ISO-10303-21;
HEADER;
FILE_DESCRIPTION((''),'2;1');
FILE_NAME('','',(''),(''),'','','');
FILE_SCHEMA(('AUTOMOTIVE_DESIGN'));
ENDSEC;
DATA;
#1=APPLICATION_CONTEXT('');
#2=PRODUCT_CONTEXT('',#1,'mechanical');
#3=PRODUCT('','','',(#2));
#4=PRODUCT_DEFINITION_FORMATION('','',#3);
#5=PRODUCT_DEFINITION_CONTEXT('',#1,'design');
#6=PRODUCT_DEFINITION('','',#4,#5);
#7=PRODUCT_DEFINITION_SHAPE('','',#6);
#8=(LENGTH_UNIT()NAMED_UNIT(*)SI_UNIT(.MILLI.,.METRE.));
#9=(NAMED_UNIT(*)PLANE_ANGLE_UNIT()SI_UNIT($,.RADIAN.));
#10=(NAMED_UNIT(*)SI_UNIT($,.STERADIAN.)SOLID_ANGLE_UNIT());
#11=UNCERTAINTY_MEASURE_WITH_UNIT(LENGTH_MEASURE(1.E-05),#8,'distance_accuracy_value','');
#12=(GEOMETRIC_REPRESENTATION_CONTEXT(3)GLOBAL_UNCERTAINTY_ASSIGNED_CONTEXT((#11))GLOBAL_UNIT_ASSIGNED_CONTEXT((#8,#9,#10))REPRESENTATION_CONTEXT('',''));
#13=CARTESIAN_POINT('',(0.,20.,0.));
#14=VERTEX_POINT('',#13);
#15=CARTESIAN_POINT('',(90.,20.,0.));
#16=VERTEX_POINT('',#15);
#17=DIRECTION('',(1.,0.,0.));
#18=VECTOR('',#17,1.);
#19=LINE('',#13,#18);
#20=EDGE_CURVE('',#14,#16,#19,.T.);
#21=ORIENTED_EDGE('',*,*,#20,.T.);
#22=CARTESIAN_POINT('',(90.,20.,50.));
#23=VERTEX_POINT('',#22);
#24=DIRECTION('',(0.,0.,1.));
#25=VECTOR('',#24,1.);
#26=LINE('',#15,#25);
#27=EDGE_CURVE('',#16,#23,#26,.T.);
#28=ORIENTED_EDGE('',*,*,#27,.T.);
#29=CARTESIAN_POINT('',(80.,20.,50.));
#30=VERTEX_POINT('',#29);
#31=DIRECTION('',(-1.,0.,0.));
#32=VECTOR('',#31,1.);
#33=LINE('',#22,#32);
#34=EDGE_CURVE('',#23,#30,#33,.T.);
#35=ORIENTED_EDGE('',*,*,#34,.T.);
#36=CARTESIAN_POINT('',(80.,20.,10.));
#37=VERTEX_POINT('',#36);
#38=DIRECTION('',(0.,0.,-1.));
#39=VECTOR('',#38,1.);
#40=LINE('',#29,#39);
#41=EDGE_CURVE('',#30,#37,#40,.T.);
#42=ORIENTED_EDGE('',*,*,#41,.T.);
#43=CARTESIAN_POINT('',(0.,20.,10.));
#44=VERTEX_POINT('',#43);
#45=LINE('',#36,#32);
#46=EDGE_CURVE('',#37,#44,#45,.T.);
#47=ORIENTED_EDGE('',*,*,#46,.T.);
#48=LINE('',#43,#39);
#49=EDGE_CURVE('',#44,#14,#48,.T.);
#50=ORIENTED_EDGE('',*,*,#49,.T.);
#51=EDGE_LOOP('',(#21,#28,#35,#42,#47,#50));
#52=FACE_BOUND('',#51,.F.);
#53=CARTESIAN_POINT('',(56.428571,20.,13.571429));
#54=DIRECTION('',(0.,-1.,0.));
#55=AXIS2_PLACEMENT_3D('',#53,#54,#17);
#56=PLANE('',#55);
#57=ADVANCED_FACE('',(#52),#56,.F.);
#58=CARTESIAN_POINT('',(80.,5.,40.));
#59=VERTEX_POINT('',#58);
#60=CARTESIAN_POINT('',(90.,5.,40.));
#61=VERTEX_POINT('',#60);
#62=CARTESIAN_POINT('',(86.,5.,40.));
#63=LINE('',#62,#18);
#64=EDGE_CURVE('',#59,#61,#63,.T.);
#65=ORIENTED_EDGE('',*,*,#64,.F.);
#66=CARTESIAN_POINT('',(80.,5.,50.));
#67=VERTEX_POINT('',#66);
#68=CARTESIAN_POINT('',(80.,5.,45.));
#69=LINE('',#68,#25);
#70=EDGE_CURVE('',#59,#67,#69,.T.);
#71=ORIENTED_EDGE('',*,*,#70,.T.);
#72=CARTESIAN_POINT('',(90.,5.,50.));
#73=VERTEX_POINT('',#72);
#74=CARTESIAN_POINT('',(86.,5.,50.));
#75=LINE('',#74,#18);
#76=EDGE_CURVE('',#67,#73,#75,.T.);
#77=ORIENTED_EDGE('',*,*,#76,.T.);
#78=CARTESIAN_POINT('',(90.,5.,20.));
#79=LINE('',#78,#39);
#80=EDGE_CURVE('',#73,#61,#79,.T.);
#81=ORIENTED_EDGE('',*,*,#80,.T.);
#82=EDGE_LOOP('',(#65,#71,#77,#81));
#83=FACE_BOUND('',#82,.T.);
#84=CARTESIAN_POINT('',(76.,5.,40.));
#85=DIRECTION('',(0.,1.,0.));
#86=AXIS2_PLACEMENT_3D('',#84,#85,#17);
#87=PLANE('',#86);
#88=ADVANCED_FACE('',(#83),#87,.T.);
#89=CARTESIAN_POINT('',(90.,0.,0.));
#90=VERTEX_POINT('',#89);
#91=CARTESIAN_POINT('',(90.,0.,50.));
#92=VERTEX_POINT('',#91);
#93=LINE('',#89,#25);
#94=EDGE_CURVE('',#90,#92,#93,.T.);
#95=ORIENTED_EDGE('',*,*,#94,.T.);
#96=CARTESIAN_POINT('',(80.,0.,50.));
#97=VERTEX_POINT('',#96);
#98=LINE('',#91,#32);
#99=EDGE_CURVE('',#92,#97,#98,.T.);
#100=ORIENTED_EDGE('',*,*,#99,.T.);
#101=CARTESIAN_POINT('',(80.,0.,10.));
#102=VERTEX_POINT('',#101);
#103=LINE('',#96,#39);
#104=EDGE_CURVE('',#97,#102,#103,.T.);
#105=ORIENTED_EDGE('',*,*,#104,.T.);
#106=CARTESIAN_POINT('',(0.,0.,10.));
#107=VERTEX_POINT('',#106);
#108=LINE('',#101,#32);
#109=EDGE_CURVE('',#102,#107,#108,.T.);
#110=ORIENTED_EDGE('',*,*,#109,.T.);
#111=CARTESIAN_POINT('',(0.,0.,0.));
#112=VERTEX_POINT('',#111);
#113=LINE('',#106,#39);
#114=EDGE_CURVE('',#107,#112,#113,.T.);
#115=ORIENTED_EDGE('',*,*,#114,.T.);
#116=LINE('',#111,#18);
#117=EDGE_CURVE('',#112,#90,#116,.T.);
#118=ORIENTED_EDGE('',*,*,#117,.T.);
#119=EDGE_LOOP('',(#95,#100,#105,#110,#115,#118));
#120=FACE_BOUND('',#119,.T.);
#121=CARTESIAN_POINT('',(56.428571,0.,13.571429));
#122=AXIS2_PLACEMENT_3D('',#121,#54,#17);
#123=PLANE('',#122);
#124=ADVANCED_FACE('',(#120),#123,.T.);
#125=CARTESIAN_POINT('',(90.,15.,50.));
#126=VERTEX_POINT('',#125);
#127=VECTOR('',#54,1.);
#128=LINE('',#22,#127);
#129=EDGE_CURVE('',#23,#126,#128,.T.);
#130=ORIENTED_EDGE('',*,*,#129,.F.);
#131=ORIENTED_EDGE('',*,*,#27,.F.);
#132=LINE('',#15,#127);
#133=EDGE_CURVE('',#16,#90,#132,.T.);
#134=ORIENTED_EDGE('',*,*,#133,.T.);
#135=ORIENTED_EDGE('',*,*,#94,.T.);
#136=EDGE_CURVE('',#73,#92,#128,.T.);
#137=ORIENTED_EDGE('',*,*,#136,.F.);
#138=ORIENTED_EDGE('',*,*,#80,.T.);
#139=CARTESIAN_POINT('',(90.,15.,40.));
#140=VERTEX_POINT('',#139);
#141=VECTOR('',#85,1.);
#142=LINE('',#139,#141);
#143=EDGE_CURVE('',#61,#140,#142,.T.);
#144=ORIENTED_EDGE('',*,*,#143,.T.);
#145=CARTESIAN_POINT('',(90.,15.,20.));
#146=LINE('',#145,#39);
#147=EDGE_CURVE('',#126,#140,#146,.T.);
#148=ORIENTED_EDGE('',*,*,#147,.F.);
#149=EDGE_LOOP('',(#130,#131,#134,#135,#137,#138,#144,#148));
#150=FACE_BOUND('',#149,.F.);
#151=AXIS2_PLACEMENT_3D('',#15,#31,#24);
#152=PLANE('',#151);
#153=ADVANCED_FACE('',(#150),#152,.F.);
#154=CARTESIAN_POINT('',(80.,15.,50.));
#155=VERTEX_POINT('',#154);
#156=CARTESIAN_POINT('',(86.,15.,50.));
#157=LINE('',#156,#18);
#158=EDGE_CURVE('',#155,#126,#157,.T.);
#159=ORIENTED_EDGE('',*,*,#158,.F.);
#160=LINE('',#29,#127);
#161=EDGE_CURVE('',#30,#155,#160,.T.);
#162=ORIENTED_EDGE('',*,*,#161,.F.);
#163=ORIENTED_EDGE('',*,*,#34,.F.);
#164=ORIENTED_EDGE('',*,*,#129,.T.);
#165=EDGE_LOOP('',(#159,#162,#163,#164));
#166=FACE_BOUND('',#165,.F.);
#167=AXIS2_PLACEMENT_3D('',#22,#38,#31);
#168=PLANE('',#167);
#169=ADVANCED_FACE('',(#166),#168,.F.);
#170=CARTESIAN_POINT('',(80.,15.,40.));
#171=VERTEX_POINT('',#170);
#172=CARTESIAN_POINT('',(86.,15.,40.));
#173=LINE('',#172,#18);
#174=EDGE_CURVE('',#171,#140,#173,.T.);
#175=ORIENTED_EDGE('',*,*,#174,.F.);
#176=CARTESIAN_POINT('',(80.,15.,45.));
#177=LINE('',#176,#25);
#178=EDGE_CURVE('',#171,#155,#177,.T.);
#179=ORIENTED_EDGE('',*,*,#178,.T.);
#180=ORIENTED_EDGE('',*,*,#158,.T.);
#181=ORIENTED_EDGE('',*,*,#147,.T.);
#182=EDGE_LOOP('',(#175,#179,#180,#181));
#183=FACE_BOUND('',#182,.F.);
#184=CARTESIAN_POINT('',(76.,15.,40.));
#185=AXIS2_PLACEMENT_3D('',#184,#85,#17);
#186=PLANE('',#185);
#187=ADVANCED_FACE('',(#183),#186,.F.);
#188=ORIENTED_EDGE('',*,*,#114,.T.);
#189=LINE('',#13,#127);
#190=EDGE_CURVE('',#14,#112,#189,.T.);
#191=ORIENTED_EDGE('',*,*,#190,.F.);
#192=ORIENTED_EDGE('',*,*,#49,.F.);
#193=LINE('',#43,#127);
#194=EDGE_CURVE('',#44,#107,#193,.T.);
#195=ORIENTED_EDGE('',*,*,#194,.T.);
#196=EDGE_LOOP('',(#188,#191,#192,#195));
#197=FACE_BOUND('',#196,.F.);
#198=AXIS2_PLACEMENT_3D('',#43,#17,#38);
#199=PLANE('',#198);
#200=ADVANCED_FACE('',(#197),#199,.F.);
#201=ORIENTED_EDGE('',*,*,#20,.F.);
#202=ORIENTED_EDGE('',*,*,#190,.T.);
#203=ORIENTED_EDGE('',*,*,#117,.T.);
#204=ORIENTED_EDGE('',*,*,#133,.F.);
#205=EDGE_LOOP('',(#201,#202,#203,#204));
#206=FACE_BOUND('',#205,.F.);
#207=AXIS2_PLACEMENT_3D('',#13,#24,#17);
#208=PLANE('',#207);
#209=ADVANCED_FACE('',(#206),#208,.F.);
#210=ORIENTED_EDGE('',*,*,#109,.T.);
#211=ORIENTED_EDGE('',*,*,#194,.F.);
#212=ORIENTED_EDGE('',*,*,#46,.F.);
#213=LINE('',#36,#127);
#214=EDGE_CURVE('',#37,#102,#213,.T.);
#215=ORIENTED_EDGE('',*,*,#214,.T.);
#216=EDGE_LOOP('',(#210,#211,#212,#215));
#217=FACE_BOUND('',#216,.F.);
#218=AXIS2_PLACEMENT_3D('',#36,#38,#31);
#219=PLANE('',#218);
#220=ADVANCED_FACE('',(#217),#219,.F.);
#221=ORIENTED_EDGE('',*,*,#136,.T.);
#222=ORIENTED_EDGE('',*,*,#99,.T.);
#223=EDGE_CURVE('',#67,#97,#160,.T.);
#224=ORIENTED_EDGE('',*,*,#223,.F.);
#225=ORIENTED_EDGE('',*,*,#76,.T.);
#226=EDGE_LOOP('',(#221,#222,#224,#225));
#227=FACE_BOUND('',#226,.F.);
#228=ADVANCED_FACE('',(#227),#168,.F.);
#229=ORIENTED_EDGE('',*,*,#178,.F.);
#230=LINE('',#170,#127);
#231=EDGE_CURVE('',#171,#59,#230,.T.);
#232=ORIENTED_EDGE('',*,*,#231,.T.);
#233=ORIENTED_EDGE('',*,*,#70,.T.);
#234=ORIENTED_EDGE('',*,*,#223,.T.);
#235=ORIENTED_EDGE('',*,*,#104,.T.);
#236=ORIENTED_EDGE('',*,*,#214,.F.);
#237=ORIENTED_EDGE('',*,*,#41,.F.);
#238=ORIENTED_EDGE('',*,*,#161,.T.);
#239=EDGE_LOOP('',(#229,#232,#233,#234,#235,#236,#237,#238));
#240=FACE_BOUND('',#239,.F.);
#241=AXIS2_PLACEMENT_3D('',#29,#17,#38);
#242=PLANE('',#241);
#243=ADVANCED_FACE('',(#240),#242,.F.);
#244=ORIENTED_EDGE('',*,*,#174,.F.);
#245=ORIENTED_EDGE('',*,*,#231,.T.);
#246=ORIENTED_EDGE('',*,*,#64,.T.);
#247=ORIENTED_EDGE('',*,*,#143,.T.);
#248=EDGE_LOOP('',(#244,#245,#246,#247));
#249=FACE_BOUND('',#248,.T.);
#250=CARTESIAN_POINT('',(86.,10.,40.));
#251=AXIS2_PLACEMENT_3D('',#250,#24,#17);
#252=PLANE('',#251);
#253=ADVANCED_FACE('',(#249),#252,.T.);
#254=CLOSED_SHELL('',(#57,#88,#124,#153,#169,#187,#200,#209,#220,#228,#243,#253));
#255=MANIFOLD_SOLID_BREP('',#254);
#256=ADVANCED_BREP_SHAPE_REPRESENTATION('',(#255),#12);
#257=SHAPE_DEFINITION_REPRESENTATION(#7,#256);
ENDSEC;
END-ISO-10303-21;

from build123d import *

# Parameters (mm, degrees)
BOX_W     = 20
BOX_H     = 10
BOX_DEPTH = 10
PAD_DEPTH = 20


with BuildPart() as cubo:
    # Box → Box (new body)
    with BuildSketch(Plane(origin=(76, 5, 40), x_dir=(1, 0, 0), z_dir=(0, 0, 1))):
        with Locations((10, 5)):
            Rectangle(BOX_W, BOX_H)
    extrude(amount=BOX_DEPTH)


with BuildPart() as cut001:
    # Sketch → Pad (new body)
    with BuildSketch(Plane.XZ):
        Polygon((0, 0), (90, 0), (90, 50), (80, 50), (80, 10), (0, 10), align=None)
    extrude(amount=PAD_DEPTH)


with BuildPart() as cut001_1:
    # Body placement: moved
    add(cut001.part.moved(Location((0, 20, 0))))

    # Cut001: cut Cubo
    add(cubo.part, mode=Mode.SUBTRACT)


solid = cut001_1.part
